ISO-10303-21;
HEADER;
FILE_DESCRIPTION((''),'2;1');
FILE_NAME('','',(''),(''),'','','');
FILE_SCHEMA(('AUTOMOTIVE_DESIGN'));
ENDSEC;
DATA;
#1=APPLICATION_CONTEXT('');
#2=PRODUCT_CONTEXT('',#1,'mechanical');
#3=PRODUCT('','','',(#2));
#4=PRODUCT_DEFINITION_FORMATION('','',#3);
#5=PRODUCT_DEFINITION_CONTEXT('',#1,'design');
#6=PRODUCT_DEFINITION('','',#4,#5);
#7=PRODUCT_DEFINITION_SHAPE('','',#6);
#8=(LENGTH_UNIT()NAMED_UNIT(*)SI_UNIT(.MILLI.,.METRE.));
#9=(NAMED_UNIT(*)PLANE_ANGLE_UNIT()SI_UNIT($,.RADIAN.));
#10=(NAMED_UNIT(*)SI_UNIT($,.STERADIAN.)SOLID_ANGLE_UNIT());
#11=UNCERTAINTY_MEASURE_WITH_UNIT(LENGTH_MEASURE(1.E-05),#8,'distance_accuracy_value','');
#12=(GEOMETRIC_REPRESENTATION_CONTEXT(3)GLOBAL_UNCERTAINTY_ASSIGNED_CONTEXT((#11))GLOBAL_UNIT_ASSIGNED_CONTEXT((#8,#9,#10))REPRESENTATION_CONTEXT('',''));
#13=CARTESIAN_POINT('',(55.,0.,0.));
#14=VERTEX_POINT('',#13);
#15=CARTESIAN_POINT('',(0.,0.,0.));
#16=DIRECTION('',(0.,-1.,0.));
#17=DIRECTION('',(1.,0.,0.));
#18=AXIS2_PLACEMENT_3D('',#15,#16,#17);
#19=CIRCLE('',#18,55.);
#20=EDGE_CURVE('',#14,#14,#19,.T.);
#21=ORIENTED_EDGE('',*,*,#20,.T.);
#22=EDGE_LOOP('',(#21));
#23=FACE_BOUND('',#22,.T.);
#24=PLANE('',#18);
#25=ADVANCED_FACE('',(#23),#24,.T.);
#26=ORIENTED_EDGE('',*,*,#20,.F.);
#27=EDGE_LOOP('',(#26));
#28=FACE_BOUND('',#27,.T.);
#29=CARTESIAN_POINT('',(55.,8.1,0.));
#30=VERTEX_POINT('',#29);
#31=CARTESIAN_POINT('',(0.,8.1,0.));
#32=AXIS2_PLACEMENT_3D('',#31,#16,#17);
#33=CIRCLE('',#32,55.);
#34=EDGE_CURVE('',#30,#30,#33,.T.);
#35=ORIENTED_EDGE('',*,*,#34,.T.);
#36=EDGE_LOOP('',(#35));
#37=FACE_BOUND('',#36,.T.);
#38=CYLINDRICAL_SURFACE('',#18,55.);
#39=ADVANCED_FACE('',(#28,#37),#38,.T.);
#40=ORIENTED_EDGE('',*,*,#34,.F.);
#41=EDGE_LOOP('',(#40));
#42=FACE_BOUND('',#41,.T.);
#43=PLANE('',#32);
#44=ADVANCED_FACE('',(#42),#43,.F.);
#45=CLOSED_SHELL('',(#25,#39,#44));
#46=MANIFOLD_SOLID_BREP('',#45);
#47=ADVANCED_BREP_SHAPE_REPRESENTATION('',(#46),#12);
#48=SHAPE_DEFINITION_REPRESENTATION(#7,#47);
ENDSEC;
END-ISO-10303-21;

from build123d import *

# Parameters (mm, degrees)
SKETCH3_W = 55
SKETCH3_H = 8.1


with BuildPart() as part:
    # Sketch3 → Filter 2 (revolve)
    with BuildSketch(Plane.XY):
        with Locations((-27.5, 4.05)):
            Rectangle(SKETCH3_W, SKETCH3_H)
    revolve(axis=Axis((0, 0, 0), (0, 1, 0)))


solid = part.part
